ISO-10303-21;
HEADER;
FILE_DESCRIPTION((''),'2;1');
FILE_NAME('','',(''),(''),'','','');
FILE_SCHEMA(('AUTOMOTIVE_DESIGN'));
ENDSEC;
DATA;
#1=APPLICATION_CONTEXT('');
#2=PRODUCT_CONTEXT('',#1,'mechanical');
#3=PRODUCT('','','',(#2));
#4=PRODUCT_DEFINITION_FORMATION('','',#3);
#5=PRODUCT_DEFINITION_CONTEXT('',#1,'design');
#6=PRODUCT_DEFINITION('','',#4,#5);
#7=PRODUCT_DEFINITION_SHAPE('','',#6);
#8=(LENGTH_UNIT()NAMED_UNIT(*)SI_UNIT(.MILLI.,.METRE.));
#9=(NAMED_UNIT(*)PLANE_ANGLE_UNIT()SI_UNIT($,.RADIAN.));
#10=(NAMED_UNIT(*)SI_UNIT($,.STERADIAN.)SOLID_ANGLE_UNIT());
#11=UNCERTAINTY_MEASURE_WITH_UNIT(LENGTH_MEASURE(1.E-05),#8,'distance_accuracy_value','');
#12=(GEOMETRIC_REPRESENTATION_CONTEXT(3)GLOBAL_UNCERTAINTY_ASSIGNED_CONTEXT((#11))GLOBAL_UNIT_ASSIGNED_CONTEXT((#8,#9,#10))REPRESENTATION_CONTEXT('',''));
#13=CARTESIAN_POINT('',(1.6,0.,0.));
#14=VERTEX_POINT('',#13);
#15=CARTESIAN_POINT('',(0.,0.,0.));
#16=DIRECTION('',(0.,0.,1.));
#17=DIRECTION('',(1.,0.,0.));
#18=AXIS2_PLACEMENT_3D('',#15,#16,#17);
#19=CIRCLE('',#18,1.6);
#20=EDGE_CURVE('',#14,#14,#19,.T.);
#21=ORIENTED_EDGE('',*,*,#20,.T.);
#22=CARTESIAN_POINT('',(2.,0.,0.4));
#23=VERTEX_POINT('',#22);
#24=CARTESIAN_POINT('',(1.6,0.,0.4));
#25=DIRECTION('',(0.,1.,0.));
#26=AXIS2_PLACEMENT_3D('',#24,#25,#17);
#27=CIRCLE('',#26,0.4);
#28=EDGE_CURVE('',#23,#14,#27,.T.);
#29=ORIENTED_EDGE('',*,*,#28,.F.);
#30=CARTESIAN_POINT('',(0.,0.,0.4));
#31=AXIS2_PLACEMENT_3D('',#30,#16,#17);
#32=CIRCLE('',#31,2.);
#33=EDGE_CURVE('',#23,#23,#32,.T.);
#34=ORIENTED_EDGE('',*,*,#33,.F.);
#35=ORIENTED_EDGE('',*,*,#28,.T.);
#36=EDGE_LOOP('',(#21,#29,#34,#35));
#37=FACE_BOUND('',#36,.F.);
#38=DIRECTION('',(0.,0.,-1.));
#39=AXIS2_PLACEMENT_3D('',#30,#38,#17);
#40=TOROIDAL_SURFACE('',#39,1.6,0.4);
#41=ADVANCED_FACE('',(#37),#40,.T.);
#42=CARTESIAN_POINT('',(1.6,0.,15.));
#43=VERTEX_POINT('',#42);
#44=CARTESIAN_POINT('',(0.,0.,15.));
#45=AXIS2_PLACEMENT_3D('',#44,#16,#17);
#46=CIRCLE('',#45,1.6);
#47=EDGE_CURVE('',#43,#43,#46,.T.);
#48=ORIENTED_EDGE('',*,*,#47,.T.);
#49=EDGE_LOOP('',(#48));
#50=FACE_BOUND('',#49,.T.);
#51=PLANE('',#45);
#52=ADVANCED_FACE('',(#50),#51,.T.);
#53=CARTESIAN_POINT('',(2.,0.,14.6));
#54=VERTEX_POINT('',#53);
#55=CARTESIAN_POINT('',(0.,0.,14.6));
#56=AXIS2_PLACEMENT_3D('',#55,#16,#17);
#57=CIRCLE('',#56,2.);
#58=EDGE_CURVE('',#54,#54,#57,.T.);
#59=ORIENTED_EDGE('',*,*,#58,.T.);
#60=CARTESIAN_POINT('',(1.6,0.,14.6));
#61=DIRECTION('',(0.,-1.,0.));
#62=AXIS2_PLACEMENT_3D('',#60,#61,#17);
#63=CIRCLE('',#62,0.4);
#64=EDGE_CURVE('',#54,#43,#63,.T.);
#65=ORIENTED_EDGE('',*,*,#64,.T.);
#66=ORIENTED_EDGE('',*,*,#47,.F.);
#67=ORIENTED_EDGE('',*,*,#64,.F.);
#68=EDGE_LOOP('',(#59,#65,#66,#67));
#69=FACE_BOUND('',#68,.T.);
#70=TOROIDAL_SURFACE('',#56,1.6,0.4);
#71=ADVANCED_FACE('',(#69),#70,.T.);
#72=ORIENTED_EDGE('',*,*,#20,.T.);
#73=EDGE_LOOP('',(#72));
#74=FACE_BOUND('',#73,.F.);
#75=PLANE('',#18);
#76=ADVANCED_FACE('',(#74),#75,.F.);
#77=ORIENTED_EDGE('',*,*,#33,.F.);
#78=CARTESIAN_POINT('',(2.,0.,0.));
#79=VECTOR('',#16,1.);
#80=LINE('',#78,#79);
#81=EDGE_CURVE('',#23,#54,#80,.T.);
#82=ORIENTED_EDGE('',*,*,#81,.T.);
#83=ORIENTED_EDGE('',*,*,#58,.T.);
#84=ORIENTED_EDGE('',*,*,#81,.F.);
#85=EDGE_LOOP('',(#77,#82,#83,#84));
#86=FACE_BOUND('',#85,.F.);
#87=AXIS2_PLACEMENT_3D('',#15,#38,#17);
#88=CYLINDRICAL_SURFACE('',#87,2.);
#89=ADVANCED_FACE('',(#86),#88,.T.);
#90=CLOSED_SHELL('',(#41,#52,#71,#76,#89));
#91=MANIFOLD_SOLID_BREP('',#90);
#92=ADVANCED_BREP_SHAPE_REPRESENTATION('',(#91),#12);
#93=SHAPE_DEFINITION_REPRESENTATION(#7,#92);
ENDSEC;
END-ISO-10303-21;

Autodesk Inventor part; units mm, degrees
ref_plane "YZ Plane" through (0, 0, 0) normal (1, 0, 0) x (0, 1, 0)
ref_plane "XZ Plane" through (0, 0, 0) normal (0, 1, 0) x (-1, 0, 0)
ref_plane "XY Plane" through (0, 0, 0) normal (0, 0, 1) x (1, 0, 0)
sketch "Эскиз1" plane through (0, 0, 0) normal (0, 0, 1) x (1, 0, 0)
  circle A0 centre (0, 0) radius 2
  dimension "d0" = 4
extrude "Выдавливание1" add sketch "Эскиз1" along normal blind 15
fillet "Сопряжение1" radius 0.4 2 edges at (-2, 0, 15) (-2, 0, 0)
properties part number "Штырёк натяжителя"
